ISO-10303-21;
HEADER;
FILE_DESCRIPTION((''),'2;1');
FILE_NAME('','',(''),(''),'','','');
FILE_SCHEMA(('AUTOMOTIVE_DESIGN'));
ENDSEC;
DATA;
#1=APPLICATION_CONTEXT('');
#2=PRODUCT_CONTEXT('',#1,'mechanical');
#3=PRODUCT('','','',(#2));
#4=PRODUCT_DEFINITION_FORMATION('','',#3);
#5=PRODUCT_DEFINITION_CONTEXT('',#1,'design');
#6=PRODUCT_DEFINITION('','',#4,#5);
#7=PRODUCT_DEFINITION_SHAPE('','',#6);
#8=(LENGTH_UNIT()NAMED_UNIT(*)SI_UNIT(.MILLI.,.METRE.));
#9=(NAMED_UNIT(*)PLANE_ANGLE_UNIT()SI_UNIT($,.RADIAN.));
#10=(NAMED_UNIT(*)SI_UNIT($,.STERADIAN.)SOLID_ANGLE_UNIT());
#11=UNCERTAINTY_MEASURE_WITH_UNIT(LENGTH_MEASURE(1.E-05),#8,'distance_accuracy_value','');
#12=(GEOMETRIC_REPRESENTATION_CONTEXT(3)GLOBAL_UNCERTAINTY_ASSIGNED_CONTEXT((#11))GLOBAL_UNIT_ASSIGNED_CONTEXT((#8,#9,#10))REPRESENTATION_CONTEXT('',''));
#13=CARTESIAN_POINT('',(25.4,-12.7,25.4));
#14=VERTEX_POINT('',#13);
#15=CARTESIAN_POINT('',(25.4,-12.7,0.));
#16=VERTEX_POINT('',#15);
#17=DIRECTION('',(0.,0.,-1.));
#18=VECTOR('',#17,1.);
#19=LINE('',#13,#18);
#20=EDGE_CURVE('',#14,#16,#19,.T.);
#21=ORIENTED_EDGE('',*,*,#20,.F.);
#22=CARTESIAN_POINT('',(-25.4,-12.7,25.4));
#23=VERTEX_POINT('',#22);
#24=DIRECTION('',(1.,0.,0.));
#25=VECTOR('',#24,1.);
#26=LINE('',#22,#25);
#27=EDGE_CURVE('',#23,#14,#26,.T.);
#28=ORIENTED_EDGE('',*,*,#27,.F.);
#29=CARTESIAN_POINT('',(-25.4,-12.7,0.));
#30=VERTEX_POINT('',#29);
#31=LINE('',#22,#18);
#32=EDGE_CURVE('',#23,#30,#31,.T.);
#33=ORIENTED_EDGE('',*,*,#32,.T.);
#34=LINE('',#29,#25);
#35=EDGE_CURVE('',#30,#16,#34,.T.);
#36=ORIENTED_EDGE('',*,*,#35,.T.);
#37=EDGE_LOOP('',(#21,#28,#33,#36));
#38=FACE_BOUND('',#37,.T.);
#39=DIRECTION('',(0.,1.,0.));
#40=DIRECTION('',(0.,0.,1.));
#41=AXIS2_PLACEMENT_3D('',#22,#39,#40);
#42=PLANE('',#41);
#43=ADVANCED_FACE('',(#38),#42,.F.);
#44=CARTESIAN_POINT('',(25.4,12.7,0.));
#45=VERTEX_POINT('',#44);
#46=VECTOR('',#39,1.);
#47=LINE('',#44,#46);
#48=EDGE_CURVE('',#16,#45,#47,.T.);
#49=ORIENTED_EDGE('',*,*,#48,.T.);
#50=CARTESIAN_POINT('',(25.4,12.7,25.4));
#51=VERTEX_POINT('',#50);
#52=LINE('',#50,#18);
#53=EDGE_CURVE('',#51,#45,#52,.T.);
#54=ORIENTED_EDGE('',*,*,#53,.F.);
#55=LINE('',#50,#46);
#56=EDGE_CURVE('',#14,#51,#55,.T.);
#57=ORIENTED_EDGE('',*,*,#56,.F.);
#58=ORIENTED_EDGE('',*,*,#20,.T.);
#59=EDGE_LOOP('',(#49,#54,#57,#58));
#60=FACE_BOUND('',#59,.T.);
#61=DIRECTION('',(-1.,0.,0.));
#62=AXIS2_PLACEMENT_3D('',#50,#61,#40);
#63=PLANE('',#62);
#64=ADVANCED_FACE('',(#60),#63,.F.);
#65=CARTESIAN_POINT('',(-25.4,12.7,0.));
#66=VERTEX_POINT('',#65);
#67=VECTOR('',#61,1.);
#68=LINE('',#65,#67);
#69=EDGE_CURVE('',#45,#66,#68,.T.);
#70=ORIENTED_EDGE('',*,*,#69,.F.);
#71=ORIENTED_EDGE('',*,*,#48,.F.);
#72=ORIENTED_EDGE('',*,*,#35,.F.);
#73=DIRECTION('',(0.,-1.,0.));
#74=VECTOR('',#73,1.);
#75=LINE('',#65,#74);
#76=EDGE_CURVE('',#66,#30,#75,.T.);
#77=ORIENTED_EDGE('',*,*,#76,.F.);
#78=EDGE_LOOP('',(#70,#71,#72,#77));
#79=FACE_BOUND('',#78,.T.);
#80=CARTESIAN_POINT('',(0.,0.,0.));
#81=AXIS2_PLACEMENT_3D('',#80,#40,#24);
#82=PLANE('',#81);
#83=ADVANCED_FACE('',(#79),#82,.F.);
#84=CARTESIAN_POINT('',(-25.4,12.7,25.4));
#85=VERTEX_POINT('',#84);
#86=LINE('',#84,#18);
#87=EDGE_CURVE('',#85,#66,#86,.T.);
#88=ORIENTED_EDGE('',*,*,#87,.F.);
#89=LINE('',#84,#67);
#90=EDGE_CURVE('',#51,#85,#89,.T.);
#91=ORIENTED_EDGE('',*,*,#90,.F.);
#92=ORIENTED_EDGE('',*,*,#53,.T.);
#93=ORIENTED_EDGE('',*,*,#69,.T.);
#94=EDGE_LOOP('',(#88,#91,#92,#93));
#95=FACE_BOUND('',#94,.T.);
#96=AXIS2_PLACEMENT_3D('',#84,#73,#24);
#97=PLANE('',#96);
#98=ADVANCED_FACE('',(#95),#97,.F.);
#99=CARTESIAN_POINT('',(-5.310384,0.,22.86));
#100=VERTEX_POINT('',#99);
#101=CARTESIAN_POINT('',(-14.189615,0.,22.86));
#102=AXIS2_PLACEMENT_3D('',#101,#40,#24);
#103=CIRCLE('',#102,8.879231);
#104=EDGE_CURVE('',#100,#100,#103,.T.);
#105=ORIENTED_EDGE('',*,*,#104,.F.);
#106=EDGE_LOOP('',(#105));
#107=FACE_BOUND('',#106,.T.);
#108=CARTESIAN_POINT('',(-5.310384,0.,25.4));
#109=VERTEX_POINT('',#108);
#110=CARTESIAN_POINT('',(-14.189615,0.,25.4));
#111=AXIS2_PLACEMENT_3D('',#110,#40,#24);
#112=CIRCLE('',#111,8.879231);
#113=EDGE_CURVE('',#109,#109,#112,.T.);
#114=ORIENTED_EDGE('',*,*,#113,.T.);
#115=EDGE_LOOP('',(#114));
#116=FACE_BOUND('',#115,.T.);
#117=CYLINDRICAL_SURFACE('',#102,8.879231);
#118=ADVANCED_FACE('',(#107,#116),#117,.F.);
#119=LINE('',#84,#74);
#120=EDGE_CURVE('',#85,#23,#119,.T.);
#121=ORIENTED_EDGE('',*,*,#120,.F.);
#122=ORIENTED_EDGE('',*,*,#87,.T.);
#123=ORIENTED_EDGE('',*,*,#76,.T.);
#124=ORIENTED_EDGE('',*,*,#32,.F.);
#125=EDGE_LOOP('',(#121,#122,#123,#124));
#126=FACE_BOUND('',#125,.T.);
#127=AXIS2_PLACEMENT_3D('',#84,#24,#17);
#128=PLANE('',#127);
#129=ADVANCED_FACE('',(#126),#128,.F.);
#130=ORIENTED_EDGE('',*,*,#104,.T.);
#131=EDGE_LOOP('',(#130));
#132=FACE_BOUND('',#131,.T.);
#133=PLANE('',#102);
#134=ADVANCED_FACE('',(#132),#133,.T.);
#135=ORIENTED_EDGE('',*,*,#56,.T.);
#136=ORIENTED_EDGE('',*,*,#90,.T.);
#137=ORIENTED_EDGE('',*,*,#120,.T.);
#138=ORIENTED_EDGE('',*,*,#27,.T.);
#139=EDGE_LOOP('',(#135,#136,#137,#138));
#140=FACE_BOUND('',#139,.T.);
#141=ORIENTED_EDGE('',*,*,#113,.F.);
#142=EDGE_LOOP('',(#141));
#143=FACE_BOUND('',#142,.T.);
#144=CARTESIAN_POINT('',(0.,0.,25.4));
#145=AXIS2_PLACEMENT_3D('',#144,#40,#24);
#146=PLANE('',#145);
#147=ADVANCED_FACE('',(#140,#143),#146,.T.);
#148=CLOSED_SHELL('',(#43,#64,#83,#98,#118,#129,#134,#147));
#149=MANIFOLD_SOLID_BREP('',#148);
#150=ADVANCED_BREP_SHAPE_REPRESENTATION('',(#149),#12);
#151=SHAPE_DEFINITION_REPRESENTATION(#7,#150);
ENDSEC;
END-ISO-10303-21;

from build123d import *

# Parameters (mm, degrees)
SKETCH1_W           = 50.8
SKETCH1_H           = 25.4
BOSS_EXTRUDE1_DEPTH = 25.4
SKETCH2_R           = 8.879230805
CUT_EXTRUDE1_DEPTH  = 2.54


with BuildPart() as part:
    # Sketch1 → Boss-Extrude1 (new body)
    with BuildSketch(Plane.XY):
        Rectangle(SKETCH1_W, SKETCH1_H)
    extrude(amount=BOSS_EXTRUDE1_DEPTH)

    # Sketch2 → Cut-Extrude1 (cut)
    with BuildSketch(Plane.XY.offset(25.4)):
        with Locations((-14.189614604, 0)):
            Circle(SKETCH2_R)
    extrude(amount=-CUT_EXTRUDE1_DEPTH, mode=Mode.SUBTRACT)


solid = part.part
